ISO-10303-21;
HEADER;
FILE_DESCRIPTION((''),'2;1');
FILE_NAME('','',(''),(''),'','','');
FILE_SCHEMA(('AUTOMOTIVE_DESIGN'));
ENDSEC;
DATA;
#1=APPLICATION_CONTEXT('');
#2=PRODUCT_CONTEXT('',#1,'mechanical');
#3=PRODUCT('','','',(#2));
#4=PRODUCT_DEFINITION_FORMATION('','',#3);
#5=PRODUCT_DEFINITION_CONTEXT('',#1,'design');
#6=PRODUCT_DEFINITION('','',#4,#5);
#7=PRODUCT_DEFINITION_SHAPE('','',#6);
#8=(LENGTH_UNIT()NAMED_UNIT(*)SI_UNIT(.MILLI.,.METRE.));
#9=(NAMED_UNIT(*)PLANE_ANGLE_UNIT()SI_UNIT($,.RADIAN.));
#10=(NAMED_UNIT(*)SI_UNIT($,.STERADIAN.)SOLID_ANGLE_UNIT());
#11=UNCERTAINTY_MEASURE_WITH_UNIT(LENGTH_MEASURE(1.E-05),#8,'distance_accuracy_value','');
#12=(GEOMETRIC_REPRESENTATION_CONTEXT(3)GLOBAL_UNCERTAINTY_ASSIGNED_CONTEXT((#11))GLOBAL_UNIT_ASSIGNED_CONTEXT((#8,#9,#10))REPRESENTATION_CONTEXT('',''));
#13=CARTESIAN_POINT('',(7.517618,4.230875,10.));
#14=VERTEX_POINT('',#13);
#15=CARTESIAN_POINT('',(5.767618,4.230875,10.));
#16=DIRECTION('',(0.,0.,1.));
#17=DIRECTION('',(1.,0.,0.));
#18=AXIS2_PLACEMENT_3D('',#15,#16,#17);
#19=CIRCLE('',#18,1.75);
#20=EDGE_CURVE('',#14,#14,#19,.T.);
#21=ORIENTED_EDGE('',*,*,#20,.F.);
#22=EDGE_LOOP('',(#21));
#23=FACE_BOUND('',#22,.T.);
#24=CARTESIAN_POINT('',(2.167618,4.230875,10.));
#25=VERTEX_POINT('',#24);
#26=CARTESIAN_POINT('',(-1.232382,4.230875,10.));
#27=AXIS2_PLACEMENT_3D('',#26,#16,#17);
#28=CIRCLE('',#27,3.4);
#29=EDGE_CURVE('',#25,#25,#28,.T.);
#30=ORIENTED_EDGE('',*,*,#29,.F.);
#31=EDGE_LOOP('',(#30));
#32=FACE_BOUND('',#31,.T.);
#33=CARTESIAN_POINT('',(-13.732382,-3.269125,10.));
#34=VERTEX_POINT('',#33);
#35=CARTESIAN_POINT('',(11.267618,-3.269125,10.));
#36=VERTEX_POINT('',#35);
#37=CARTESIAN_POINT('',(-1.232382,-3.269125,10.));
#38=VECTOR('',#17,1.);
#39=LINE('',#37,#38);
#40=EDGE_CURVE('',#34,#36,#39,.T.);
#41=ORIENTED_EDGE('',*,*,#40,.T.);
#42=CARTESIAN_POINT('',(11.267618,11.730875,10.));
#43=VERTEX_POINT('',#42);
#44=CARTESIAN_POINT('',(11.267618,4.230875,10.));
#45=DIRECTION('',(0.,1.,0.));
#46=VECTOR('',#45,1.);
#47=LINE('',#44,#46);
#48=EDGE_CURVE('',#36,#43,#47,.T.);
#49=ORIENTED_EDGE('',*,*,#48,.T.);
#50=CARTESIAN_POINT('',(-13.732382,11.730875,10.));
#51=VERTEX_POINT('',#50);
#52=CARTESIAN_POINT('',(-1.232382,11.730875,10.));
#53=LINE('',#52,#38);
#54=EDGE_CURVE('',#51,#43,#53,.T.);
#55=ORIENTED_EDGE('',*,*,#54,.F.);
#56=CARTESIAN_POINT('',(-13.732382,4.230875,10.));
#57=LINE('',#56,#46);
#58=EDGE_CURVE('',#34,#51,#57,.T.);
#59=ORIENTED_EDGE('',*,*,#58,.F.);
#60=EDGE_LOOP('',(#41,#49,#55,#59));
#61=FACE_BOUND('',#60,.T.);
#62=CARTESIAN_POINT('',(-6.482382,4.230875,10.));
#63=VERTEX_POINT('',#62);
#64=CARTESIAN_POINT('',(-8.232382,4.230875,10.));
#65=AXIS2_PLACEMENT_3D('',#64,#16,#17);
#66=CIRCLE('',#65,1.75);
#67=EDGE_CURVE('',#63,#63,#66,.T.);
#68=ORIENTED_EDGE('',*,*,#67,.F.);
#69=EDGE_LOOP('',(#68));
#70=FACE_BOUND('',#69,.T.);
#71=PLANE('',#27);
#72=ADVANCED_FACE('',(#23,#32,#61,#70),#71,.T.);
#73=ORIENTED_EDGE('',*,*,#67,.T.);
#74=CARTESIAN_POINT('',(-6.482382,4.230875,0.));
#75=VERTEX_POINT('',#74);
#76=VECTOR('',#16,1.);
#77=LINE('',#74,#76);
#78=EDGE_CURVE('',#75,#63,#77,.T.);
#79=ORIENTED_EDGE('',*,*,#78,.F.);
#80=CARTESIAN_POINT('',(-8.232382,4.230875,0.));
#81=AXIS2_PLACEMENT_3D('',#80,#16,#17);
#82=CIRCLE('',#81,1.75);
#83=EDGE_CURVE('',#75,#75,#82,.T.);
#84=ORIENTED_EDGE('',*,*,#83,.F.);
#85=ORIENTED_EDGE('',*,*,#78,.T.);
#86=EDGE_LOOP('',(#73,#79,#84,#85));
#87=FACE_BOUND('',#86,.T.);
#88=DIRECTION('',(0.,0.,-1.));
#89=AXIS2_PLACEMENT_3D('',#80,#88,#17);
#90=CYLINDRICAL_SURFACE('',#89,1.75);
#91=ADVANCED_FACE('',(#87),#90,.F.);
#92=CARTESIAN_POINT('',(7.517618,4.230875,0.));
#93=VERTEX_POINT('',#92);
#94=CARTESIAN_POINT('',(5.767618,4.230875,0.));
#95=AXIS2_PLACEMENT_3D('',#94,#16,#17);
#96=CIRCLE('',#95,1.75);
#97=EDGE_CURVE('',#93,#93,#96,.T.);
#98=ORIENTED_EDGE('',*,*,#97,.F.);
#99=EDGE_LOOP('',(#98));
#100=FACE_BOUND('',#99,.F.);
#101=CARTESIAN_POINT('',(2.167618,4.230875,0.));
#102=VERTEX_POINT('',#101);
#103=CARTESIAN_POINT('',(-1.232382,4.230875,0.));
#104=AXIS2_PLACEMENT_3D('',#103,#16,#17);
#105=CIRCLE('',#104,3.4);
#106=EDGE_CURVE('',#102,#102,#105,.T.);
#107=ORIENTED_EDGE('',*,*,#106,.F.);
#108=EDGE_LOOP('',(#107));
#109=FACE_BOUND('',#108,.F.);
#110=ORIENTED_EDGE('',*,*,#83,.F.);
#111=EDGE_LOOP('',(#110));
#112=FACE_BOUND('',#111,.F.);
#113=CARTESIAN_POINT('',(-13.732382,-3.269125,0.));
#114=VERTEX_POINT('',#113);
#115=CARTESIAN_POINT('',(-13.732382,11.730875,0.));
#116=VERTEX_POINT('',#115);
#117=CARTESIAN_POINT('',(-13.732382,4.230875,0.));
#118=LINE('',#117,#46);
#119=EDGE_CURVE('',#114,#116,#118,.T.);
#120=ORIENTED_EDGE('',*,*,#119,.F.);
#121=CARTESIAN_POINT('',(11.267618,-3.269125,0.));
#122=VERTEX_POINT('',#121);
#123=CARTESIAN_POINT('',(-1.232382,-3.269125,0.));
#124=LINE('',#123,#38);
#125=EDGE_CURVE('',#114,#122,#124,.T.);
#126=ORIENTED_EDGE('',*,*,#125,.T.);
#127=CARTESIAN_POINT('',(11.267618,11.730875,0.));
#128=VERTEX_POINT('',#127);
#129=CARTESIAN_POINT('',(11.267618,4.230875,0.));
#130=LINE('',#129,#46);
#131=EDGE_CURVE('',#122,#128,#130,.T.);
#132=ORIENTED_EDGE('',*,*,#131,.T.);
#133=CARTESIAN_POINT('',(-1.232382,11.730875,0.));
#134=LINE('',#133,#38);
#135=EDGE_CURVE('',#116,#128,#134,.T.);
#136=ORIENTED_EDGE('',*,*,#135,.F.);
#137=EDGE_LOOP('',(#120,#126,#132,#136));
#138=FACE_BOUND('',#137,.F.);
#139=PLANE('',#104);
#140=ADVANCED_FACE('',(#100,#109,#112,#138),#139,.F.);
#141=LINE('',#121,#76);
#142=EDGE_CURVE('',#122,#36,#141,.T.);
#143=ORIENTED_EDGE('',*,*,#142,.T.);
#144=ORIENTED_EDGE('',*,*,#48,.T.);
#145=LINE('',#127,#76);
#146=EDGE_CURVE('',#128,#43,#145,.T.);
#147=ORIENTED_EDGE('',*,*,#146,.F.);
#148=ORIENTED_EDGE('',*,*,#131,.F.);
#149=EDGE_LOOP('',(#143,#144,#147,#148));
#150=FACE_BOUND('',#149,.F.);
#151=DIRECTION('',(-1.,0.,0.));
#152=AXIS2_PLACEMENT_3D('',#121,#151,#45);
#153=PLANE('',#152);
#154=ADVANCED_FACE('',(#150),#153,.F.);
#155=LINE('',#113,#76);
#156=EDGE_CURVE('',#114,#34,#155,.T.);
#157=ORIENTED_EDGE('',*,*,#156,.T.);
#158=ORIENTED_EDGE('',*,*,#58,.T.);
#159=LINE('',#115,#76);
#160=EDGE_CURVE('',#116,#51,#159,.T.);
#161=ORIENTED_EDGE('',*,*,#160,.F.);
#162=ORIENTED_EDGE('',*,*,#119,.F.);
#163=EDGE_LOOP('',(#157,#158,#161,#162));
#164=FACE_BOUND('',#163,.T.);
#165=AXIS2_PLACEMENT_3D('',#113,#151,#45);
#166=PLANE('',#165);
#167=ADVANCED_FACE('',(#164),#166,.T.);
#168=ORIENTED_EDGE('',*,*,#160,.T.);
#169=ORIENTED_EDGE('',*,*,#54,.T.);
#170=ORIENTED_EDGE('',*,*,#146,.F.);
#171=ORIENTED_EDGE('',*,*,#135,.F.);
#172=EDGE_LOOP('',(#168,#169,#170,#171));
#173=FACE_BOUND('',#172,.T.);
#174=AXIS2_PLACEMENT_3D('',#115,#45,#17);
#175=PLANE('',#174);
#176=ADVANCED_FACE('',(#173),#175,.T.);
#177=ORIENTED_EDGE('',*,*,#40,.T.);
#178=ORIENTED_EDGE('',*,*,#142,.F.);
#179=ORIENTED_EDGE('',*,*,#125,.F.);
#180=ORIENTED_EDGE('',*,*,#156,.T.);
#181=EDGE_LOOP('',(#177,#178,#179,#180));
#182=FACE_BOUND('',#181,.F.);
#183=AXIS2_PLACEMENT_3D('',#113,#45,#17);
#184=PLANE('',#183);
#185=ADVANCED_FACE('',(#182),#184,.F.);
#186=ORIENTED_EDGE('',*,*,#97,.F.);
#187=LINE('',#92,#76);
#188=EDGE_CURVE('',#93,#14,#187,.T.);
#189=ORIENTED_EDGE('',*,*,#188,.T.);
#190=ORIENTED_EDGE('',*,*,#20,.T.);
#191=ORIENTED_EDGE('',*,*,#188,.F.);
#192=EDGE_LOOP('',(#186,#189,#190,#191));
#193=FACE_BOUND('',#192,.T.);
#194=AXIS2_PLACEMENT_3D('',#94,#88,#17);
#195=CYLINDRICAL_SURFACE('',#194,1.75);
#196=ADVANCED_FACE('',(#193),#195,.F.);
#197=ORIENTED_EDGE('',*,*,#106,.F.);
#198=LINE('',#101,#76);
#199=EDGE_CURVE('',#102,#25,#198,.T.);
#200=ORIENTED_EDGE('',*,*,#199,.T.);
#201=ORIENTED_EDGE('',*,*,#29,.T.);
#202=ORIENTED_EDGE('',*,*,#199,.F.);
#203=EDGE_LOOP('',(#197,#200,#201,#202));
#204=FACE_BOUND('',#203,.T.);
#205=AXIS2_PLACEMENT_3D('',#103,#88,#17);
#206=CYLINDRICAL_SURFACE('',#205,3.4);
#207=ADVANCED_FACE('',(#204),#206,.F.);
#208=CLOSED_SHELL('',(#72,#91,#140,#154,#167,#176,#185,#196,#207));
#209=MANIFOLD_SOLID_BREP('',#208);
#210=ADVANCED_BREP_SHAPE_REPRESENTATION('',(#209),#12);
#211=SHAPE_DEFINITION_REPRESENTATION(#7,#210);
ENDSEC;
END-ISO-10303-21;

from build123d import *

# Parameters (mm, degrees)
F0_W     = 25
F0_H     = 15
F0_R     = 3.4
F0_R_2   = 1.75
F1_DEPTH = 10


with BuildPart() as f1:
    # F0 (on Top) → F1 (new body)
    with BuildSketch(Plane.XY):
        with Locations((-1.232382, 4.230875)):
            Rectangle(F0_W, F0_H)
        with Locations((-1.232382, 4.230875)):
            Circle(F0_R, mode=Mode.SUBTRACT)
        with Locations((5.767618, 4.230875)):
            Circle(F0_R_2, mode=Mode.SUBTRACT)
        with Locations((-8.232382, 4.230875)):
            Circle(F0_R_2, mode=Mode.SUBTRACT)
    extrude(amount=F1_DEPTH)


solid = f1.part
